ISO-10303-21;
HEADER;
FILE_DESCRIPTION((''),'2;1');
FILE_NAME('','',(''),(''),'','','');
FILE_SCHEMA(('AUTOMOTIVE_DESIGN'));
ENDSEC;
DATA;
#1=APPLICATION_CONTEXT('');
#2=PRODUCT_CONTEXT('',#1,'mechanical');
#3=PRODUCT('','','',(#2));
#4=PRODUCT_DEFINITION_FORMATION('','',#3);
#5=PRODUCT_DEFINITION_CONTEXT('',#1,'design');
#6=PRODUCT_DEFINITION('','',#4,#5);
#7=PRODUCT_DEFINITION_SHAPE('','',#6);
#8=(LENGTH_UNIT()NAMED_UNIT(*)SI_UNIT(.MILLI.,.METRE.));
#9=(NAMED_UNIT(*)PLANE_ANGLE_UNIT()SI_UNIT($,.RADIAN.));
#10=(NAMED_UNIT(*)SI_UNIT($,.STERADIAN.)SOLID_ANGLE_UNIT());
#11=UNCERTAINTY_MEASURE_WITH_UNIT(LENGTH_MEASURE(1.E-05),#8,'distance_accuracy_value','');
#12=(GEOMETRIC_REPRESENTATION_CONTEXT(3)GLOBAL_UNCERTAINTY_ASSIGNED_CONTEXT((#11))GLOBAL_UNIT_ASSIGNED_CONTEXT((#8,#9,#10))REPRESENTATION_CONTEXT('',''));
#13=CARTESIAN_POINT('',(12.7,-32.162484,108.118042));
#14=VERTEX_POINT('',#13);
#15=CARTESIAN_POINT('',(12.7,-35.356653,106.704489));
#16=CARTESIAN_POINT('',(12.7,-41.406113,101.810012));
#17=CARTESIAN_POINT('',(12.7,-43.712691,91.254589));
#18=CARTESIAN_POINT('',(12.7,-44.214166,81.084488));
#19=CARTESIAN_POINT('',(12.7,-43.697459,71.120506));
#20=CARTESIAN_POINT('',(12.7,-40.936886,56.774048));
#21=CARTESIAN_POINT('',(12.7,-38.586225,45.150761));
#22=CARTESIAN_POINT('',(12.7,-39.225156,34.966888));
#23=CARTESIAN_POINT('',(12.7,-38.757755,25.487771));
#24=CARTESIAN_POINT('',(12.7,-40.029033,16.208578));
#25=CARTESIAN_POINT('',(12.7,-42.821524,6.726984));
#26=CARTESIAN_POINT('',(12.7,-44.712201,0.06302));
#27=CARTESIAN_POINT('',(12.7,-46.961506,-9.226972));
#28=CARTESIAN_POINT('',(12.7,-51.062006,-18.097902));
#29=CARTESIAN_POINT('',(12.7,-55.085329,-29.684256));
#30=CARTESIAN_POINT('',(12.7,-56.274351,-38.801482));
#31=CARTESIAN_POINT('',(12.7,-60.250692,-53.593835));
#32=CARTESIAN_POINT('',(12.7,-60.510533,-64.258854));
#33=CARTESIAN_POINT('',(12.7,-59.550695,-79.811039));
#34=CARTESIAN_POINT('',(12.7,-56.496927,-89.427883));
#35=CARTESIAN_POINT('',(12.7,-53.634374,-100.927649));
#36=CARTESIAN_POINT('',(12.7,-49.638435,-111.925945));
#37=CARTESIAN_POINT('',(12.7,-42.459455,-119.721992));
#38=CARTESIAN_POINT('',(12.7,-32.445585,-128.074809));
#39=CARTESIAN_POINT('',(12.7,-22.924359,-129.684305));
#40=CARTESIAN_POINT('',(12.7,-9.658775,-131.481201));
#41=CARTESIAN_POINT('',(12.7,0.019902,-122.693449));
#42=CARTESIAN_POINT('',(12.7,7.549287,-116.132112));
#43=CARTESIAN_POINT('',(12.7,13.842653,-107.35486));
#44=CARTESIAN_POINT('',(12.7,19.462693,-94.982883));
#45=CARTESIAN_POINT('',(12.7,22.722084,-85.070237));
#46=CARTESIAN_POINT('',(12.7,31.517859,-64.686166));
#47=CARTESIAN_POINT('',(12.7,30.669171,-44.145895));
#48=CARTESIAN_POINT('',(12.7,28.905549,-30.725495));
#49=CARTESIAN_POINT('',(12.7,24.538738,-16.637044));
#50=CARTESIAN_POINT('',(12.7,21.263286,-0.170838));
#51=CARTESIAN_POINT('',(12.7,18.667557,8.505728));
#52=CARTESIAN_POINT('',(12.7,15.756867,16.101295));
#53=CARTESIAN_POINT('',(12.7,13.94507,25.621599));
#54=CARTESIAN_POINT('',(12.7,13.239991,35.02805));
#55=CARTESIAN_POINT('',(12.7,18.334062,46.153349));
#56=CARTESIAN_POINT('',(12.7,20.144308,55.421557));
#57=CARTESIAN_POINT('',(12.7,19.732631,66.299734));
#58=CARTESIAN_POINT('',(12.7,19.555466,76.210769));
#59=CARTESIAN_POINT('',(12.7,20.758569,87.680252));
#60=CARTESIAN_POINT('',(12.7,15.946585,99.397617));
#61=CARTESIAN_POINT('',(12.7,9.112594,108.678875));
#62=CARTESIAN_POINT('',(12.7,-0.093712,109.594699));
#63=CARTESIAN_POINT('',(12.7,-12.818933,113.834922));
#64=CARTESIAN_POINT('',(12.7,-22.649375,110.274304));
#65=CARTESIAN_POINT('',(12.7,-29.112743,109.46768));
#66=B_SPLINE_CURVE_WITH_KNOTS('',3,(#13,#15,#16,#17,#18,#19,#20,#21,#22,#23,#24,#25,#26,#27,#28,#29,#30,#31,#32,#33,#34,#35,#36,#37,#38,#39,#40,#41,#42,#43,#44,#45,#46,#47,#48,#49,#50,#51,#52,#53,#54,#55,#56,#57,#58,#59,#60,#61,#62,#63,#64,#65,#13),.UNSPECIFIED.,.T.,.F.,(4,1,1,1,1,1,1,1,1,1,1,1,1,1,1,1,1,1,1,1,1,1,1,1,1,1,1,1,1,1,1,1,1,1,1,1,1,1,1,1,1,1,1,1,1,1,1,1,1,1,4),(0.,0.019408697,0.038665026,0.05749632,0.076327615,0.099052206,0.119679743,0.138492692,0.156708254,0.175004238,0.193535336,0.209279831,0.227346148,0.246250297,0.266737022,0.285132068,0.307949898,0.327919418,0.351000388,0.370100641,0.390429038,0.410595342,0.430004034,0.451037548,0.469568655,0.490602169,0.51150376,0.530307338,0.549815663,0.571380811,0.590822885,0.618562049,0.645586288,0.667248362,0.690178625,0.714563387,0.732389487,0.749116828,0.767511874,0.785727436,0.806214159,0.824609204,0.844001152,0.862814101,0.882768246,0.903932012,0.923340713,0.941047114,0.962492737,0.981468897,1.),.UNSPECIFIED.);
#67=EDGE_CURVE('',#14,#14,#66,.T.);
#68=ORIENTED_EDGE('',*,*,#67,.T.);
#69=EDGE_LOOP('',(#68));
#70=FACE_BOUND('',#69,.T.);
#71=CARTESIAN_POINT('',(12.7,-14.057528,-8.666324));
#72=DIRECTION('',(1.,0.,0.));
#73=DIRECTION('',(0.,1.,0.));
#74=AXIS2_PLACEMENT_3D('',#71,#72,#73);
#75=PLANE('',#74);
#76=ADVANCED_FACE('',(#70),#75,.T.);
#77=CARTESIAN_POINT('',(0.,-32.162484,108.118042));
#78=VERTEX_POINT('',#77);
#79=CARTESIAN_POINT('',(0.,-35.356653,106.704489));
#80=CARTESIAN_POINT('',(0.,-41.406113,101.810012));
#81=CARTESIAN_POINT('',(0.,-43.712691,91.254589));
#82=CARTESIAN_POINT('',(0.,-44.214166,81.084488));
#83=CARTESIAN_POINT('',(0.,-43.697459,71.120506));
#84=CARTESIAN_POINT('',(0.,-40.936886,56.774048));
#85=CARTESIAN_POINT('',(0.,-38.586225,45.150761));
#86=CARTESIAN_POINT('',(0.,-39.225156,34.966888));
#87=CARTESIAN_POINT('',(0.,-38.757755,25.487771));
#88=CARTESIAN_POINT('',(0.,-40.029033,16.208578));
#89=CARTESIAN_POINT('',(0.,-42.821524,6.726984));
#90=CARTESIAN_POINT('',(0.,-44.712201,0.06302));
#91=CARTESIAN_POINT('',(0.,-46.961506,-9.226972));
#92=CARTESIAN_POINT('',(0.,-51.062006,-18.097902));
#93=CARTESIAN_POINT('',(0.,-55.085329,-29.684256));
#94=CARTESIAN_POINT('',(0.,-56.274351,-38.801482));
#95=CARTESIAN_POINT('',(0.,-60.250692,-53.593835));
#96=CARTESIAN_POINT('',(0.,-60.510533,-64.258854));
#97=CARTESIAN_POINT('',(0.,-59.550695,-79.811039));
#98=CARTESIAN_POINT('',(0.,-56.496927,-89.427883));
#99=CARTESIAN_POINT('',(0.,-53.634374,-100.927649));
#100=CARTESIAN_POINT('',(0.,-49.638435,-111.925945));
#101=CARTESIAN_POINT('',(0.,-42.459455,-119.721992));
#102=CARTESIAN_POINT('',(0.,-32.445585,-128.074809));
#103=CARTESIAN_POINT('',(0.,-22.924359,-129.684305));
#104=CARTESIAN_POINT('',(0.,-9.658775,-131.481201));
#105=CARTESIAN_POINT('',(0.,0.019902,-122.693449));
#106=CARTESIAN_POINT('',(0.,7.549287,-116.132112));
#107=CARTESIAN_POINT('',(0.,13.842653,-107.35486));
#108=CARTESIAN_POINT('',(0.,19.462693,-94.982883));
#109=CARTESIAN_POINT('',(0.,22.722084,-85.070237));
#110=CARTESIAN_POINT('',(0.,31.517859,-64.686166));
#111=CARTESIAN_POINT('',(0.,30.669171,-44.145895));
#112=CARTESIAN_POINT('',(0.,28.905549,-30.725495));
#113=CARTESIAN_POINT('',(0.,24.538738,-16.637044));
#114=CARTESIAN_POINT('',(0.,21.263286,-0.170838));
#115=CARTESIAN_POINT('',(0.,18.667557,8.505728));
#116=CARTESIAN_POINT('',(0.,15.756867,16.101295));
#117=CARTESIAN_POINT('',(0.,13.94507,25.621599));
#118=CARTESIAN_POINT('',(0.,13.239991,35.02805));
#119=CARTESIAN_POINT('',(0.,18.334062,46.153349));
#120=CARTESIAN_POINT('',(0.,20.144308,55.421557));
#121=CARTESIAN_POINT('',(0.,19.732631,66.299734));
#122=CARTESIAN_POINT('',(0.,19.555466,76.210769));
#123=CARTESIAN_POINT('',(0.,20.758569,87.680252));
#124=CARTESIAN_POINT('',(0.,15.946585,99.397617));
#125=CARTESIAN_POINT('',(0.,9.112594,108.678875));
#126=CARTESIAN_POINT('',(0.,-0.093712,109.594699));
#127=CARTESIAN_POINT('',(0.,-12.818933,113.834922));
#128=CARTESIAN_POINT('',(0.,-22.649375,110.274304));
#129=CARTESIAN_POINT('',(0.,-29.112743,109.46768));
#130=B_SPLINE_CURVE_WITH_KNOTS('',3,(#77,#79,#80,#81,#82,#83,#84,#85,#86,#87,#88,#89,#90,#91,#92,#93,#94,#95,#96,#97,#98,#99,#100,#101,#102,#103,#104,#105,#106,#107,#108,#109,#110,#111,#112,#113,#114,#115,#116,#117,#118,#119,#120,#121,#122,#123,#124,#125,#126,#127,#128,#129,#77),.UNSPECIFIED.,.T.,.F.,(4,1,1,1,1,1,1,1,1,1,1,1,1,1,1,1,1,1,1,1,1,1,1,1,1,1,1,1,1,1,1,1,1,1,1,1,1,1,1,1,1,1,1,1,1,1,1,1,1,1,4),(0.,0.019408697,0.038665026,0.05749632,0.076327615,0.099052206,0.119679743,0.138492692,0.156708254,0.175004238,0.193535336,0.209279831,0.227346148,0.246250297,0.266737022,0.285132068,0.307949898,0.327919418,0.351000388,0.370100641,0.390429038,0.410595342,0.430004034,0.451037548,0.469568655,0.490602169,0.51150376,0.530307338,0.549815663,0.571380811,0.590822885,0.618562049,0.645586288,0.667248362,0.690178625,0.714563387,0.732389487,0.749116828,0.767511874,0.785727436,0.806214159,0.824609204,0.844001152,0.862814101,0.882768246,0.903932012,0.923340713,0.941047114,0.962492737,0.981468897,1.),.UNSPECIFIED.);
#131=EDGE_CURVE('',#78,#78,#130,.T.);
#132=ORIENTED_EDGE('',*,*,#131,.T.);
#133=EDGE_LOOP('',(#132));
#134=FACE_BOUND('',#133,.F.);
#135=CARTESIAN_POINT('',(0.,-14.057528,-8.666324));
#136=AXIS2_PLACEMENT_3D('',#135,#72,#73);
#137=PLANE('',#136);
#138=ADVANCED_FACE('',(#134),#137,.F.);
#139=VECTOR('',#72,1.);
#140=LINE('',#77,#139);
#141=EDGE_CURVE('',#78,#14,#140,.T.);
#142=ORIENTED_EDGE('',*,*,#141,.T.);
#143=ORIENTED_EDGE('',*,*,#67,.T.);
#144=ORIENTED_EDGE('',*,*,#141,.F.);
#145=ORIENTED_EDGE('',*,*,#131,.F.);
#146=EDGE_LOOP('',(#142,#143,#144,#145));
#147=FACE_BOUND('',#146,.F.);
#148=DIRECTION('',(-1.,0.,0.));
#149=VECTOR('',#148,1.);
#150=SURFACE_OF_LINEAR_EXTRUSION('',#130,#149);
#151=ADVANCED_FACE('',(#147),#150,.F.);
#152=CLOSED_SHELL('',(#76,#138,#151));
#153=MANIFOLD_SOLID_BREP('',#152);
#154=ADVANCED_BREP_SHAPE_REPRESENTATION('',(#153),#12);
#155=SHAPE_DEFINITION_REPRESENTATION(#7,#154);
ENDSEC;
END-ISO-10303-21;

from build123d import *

# Parameters (mm, degrees)
F1_DEPTH = 12.7


with BuildPart() as f1:
    # F0 (on Right) → F1 (new body)
    with BuildSketch(Plane.YZ):
        with BuildLine():
            add(Edge.make_bspline(
                [(-32.1624837816, 108.1180423498), (-35.356653465, 106.7044890496), (-41.4061130565, 101.8100124084), (-43.7126907156, 91.2545885907), (-44.2141657225, 81.0844883628), (-43.6974589551, 71.1205059544), (-40.9368863897, 56.7740475017), (-38.586225175, 45.1507612362), (-39.2251563317, 34.9668876086), (-38.7577548559, 25.4877708415), (-40.0290334753, 16.2085777725), (-42.8215243212, 6.7269840888), (-44.7122012288, 0.0630196298), (-46.9615064928, -9.226971801), (-51.0620064937, -18.0979024752), (-55.0853294544, -29.6842555873), (-56.274351124, -38.8014823871), (-60.2506924887, -53.59383493), (-60.5105325648, -64.2588544285), (-59.5506947306, -79.811039331), (-56.4969273727, -89.427883155), (-53.6343743849, -100.9276486285), (-49.6384345434, -111.9259454677), (-42.4594554347, -119.7219923408), (-32.4455845041, -128.074808504), (-22.9243588151, -129.684304529), (-9.6587751493, -131.4812013699), (0.0199016653, -122.6934491817), (7.5492873943, -116.1321118505), (13.8426533747, -107.3548603401), (19.4626932027, -94.982883216), (22.7220839715, -85.0702369662), (31.5178587414, -64.6861656953), (30.6691712906, -44.1458949916), (28.9055491857, -30.7254947506), (24.5387378007, -16.6370439434), (21.2632857233, -0.1708381549), (18.6675574105, 8.5057283933), (15.756866901, 16.101294818), (13.9450703126, 25.6215989643), (13.2399913548, 35.0280502418), (18.3340624326, 46.1533485237), (20.1443081498, 55.421557246), (19.7326309527, 66.2997341229), (19.5554663019, 76.2107686486), (20.7585694424, 87.6802520783), (15.9465850778, 99.3976171314), (9.1125937444, 108.6788749313), (-0.0937121196, 109.5946992708), (-12.8189332024, 113.8349218856), (-22.6493747433, 110.2743043136), (-29.1127434009, 109.46767966), (-32.1624837816, 108.1180423498)],
                knots=[0, 0, 0, 0, 0.0194086973, 0.0386650257, 0.0574963201, 0.0763276146, 0.0990522061, 0.1196797425, 0.1384926918, 0.1567082539, 0.1750042379, 0.1935353364, 0.209279831, 0.2273461483, 0.2462502972, 0.2667370219, 0.2851320679, 0.3079498976, 0.3279194184, 0.3510003882, 0.3701006407, 0.3904290382, 0.4105953417, 0.4300040342, 0.4510375482, 0.469568655, 0.4906021694, 0.5115037595, 0.5303073382, 0.5498156628, 0.5713808105, 0.5908228849, 0.6185620489, 0.645586288, 0.6672483625, 0.6901786255, 0.7145633869, 0.7323894871, 0.7491168283, 0.7675118738, 0.7857274359, 0.8062141592, 0.8246092045, 0.8440011518, 0.8628141011, 0.8827682463, 0.9039320124, 0.9233407126, 0.9410471139, 0.9624927375, 0.9814688968, 1, 1, 1, 1], degree=3))
        make_face()
    extrude(amount=F1_DEPTH)


solid = f1.part
